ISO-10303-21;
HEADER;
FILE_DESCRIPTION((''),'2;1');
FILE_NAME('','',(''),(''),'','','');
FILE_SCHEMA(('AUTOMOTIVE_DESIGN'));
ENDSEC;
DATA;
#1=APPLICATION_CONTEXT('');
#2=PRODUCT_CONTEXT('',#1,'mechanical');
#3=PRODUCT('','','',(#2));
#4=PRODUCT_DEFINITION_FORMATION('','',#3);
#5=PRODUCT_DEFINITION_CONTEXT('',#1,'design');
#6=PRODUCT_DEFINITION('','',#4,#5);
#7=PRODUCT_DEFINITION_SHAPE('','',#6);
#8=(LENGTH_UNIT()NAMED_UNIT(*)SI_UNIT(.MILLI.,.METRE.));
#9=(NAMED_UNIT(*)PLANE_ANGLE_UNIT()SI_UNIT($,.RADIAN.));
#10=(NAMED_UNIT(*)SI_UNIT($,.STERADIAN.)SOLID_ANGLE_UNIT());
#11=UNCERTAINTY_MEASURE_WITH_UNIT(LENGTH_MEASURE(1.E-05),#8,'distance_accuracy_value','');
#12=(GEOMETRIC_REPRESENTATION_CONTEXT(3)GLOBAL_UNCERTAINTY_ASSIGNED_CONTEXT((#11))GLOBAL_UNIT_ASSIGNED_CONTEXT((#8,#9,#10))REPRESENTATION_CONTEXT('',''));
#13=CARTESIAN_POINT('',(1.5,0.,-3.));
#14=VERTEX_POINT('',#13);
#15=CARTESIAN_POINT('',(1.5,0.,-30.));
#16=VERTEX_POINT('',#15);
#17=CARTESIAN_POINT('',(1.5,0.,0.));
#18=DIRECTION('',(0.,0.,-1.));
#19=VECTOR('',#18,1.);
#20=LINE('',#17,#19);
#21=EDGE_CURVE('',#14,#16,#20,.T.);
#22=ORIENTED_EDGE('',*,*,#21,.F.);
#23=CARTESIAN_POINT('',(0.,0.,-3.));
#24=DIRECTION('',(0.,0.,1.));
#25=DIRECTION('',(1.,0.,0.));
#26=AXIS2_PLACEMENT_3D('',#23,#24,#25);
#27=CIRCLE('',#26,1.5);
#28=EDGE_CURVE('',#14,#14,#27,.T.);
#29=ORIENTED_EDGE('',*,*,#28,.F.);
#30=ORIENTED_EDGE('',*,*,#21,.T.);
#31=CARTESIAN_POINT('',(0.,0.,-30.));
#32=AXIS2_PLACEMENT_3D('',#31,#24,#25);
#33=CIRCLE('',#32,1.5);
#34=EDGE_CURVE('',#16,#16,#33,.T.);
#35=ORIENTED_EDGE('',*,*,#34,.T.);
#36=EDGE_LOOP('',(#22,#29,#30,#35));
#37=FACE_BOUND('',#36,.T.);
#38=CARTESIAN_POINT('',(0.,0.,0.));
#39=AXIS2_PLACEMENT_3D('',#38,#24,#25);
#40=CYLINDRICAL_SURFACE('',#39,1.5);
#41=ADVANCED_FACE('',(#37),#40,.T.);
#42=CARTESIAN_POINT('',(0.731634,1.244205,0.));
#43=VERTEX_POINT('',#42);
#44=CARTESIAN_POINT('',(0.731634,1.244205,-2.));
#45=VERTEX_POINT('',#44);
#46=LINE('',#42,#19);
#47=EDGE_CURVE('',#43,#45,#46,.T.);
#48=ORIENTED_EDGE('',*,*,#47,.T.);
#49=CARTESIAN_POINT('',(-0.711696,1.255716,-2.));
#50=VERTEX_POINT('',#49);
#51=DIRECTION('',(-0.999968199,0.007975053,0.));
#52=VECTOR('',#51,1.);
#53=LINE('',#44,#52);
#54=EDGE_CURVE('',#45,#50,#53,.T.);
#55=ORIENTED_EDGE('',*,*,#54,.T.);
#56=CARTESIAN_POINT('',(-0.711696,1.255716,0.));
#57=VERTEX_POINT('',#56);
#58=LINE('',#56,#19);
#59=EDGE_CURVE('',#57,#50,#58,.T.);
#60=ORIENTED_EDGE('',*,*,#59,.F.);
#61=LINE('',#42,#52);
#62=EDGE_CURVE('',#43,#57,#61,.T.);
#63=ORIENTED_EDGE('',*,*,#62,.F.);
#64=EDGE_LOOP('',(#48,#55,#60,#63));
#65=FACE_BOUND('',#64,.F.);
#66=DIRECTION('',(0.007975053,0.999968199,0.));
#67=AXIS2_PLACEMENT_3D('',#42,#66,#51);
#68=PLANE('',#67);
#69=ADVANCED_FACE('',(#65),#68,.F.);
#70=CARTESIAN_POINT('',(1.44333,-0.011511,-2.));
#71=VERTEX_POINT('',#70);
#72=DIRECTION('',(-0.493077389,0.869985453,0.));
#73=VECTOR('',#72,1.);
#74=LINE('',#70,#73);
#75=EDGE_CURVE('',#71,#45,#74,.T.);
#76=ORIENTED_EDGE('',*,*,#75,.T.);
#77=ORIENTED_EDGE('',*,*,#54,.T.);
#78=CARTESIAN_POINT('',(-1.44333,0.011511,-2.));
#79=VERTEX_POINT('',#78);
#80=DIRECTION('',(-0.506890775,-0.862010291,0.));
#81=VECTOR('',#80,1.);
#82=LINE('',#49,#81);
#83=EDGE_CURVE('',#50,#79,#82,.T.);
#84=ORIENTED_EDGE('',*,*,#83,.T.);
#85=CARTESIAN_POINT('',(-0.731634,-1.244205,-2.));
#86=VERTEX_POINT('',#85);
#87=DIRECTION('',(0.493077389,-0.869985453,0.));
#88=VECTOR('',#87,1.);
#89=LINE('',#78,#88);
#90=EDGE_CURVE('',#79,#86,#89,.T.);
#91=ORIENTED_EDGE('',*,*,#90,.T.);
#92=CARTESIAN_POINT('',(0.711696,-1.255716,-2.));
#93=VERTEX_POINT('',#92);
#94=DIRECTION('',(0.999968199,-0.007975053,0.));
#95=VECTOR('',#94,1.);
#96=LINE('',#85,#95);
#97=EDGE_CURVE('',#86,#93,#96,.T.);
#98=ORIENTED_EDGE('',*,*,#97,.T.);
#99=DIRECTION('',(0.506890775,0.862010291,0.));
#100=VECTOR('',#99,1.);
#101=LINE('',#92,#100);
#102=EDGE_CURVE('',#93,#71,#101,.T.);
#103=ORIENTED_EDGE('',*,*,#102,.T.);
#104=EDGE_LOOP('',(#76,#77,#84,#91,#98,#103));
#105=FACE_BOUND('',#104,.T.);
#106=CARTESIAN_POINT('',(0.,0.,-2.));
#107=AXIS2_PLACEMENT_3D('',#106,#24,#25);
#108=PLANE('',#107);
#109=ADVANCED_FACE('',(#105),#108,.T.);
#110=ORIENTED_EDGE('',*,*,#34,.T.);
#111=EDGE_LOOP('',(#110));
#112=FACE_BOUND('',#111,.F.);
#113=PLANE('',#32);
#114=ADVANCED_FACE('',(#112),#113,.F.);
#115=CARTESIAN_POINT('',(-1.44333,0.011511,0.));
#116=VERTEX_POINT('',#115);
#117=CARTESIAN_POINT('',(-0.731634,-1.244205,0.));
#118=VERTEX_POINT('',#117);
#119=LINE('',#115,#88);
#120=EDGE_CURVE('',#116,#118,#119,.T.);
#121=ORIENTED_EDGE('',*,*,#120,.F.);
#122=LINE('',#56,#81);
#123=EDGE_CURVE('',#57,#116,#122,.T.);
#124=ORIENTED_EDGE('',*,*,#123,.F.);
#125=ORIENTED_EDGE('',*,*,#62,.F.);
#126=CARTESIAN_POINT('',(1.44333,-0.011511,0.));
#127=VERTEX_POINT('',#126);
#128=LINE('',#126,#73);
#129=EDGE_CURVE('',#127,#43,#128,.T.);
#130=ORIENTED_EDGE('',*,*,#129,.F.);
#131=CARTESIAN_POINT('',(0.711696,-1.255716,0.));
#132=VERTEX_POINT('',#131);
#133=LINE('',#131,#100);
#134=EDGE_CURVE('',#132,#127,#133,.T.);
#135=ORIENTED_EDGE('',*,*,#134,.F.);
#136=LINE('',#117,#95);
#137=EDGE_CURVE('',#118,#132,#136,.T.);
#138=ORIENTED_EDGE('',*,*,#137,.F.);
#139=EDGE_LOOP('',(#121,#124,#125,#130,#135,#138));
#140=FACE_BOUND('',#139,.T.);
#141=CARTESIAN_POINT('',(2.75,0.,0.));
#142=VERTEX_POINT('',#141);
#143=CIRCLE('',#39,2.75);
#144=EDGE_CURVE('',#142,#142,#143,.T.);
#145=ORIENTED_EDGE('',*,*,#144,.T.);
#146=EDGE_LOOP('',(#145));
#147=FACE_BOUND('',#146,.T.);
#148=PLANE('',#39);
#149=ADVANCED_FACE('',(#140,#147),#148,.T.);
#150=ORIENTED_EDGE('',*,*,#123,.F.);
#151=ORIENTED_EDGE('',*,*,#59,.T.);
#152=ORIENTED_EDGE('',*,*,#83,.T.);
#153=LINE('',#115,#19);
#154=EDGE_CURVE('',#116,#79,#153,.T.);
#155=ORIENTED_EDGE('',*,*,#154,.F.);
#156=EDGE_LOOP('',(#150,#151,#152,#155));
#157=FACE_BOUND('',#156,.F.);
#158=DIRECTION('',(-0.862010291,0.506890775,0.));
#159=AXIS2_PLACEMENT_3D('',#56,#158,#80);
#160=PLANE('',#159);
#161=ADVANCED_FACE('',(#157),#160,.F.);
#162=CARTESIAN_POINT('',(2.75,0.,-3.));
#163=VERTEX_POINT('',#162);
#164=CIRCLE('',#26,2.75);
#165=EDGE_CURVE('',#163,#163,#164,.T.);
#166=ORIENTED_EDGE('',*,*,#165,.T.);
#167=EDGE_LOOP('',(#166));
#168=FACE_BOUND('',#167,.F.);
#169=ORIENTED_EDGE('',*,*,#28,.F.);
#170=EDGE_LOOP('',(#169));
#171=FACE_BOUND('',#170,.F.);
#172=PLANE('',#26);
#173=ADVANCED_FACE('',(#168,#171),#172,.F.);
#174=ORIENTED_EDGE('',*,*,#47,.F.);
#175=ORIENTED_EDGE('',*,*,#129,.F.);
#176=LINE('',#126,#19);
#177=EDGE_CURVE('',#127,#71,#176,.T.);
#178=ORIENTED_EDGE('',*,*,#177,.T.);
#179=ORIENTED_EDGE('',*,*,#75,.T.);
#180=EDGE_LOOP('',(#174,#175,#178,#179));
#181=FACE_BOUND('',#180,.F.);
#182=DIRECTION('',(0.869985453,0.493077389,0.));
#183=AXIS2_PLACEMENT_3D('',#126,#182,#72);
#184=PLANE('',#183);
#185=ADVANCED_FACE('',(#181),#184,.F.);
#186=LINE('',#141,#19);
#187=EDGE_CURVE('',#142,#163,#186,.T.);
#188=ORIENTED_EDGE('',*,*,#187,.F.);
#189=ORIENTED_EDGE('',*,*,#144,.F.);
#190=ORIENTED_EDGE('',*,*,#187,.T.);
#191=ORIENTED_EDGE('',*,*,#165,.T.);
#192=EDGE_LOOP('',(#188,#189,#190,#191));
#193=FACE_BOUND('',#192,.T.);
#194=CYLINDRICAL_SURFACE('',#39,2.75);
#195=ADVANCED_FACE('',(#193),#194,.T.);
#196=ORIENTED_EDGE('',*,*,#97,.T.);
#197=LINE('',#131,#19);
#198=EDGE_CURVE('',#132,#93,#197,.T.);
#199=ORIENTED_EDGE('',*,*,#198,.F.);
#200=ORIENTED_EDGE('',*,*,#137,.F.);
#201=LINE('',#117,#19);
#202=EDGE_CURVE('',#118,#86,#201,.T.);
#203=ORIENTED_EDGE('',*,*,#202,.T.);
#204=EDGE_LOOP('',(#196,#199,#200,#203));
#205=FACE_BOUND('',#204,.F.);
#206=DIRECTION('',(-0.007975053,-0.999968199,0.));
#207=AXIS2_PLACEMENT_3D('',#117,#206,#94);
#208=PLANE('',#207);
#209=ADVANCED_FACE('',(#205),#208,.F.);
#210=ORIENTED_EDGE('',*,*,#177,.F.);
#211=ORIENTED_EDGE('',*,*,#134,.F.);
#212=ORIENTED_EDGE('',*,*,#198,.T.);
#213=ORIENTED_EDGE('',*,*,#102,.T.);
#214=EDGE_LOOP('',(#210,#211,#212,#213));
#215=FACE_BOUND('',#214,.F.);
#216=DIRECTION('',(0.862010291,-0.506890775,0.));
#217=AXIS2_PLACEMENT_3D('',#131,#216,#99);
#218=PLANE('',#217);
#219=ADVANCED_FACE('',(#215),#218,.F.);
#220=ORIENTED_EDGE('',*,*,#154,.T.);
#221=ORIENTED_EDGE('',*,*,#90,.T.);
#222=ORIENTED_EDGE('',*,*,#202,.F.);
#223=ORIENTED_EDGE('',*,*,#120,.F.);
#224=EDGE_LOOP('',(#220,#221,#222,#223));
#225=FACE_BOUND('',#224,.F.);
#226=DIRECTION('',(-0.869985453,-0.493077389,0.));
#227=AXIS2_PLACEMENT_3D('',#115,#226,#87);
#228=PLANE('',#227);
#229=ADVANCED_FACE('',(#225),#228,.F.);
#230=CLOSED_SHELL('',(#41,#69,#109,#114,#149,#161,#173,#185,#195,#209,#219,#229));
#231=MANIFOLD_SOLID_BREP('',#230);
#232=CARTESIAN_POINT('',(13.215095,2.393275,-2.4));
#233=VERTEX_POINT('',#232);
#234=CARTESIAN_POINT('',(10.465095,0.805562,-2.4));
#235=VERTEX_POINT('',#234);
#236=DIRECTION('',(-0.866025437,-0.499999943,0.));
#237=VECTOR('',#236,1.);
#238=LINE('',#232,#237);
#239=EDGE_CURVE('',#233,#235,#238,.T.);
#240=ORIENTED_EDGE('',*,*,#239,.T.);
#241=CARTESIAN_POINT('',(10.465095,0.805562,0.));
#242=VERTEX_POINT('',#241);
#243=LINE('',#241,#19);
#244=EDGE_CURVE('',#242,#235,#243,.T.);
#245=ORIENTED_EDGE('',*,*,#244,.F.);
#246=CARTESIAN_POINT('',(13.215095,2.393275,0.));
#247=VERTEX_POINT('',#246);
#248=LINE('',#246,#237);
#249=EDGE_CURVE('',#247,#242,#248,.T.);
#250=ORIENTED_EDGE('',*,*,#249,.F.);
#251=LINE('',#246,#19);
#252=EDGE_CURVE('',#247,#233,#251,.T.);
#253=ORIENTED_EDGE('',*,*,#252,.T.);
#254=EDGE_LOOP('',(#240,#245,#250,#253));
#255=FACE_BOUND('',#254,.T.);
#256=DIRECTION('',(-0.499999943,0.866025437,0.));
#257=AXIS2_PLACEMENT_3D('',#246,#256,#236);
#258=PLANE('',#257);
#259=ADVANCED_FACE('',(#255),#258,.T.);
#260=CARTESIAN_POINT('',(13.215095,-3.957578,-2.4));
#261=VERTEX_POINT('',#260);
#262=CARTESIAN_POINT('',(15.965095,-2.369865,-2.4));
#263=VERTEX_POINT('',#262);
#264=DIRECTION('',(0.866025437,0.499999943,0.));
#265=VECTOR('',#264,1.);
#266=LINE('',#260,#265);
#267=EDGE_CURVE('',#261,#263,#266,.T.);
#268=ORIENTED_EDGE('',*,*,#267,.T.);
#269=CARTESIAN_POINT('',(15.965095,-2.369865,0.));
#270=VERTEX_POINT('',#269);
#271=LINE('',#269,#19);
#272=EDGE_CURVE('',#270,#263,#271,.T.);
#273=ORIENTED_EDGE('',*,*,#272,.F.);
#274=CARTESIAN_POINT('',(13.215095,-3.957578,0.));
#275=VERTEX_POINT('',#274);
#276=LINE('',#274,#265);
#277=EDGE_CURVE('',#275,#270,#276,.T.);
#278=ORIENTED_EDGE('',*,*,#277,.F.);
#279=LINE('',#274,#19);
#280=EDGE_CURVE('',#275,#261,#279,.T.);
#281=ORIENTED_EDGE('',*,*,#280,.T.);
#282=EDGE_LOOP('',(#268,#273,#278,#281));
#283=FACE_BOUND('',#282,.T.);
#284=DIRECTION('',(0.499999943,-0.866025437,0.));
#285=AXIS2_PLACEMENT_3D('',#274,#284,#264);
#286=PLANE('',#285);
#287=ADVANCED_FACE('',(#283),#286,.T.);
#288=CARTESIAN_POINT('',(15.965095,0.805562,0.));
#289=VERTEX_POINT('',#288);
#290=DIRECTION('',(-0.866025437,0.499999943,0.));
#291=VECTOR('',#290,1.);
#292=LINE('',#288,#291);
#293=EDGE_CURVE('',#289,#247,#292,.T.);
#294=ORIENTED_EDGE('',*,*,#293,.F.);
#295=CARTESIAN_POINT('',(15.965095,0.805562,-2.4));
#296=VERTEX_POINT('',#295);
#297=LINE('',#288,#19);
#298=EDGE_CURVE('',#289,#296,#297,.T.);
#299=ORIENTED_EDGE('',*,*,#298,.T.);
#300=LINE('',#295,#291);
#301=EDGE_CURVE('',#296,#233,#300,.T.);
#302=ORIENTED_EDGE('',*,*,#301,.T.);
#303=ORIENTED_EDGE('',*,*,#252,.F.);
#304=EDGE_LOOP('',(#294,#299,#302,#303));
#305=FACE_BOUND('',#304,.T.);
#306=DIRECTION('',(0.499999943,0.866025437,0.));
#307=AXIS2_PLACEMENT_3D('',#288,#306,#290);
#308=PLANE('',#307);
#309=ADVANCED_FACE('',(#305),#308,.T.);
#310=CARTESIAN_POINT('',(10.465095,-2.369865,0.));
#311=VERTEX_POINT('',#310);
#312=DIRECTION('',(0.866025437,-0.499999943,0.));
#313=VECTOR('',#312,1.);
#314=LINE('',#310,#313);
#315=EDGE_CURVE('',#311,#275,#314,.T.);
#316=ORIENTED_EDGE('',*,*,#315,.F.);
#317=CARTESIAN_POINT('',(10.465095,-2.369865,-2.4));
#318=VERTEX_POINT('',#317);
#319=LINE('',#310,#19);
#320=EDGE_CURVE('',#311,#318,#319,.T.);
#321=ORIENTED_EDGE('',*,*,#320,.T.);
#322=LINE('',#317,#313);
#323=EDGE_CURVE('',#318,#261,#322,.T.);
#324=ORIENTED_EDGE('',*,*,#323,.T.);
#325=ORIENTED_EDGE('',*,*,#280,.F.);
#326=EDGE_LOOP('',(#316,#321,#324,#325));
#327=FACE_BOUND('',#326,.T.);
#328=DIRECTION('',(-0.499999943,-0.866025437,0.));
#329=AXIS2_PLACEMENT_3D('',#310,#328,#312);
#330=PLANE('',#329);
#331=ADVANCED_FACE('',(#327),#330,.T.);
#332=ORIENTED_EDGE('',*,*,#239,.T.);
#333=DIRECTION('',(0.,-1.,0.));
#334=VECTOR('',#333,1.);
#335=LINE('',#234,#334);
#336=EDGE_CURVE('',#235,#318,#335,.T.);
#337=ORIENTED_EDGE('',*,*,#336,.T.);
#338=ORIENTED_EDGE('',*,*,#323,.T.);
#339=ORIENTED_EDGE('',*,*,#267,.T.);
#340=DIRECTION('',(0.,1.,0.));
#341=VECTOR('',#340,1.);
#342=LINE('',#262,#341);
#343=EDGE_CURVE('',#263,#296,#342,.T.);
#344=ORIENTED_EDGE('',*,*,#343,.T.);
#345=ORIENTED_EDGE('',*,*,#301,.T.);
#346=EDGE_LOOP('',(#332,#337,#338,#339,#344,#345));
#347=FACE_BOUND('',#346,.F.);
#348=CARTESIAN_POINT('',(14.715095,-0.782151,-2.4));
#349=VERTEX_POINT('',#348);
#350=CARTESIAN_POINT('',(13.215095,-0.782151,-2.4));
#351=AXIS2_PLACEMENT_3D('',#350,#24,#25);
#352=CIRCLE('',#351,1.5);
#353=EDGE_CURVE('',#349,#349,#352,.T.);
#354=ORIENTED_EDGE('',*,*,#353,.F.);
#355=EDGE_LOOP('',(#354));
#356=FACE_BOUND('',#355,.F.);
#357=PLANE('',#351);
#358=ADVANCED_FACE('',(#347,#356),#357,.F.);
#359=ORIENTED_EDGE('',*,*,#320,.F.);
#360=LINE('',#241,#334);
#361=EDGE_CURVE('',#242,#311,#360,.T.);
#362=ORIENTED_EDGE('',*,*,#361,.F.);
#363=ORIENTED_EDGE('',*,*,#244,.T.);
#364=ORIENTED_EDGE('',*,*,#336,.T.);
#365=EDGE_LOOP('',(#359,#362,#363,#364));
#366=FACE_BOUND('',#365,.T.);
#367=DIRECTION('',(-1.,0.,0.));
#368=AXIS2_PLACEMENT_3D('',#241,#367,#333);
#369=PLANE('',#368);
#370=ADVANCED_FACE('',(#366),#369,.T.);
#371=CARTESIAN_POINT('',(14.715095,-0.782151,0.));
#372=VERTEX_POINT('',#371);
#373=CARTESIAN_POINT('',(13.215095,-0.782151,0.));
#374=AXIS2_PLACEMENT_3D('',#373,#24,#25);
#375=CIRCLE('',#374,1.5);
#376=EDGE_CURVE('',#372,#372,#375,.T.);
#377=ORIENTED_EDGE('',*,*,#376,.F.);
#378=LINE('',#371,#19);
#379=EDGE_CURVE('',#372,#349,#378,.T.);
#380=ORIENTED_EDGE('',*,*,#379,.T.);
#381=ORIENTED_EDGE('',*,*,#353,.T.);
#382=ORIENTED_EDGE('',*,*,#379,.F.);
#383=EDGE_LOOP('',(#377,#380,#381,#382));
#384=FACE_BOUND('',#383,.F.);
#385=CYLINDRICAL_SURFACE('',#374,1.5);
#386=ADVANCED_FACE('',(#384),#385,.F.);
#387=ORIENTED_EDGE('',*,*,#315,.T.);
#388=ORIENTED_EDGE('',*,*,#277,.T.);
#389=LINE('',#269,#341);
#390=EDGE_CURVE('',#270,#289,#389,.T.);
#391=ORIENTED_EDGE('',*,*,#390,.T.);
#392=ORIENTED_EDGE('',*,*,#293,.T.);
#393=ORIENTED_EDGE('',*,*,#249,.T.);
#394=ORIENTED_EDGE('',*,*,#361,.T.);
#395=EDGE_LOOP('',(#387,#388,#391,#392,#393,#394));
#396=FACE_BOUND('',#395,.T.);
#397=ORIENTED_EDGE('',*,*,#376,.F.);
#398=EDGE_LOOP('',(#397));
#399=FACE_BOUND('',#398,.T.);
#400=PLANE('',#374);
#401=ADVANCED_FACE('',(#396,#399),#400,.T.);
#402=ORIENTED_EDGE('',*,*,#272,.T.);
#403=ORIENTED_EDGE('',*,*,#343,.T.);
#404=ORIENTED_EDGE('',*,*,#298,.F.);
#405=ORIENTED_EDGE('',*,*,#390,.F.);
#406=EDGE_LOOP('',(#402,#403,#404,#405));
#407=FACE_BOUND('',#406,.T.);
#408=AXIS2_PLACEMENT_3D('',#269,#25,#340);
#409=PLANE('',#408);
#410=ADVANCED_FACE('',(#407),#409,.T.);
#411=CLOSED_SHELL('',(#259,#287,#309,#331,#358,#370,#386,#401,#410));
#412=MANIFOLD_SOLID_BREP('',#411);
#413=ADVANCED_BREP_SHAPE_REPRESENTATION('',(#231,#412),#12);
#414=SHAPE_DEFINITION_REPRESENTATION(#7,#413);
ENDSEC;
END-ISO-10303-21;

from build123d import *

# Parameters (mm, degrees)
F0_R     = 2.75
F3_DEPTH = 3
F1_R     = 1.5
F4_DEPTH = 30
F5_DEPTH = 2
F6_R     = 1.5
F7_DEPTH = 2.4


with BuildPart() as f3:
    # F0 (on Top) → F3 (new body)
    with BuildSketch(Plane.XY):
        Circle(F0_R)
    extrude(amount=-F3_DEPTH)

    # F1 (on Top) → F4 (join)
    with BuildSketch(Plane.XY):
        Circle(F1_R)
    extrude(amount=-F4_DEPTH)

    # F2 (on Top) → F5 (cut)
    with BuildSketch(Plane.XY):
        Polygon((-0.711696, 1.255716), (-1.44333, 0.011511), (-0.731634, -1.244205), (0.711696, -1.255716), (1.44333, -0.011511), (0.731634, 1.244205), align=None)
    extrude(amount=-F5_DEPTH, mode=Mode.SUBTRACT)


with BuildPart() as f7:
    # F6 (on Top) → F7 (new body)
    with BuildSketch(Plane.XY):
        Polygon((10.465095, 0.805562), (10.465095, -2.369865), (13.215095, -3.957578), (15.965095, -2.369865), (15.965095, 0.805562), (13.215095, 2.393275), align=None)
        with Locations((13.215095, -0.782151)):
            Circle(F6_R, mode=Mode.SUBTRACT)
    extrude(amount=-F7_DEPTH)


solid = Compound([f3.part, f7.part])
